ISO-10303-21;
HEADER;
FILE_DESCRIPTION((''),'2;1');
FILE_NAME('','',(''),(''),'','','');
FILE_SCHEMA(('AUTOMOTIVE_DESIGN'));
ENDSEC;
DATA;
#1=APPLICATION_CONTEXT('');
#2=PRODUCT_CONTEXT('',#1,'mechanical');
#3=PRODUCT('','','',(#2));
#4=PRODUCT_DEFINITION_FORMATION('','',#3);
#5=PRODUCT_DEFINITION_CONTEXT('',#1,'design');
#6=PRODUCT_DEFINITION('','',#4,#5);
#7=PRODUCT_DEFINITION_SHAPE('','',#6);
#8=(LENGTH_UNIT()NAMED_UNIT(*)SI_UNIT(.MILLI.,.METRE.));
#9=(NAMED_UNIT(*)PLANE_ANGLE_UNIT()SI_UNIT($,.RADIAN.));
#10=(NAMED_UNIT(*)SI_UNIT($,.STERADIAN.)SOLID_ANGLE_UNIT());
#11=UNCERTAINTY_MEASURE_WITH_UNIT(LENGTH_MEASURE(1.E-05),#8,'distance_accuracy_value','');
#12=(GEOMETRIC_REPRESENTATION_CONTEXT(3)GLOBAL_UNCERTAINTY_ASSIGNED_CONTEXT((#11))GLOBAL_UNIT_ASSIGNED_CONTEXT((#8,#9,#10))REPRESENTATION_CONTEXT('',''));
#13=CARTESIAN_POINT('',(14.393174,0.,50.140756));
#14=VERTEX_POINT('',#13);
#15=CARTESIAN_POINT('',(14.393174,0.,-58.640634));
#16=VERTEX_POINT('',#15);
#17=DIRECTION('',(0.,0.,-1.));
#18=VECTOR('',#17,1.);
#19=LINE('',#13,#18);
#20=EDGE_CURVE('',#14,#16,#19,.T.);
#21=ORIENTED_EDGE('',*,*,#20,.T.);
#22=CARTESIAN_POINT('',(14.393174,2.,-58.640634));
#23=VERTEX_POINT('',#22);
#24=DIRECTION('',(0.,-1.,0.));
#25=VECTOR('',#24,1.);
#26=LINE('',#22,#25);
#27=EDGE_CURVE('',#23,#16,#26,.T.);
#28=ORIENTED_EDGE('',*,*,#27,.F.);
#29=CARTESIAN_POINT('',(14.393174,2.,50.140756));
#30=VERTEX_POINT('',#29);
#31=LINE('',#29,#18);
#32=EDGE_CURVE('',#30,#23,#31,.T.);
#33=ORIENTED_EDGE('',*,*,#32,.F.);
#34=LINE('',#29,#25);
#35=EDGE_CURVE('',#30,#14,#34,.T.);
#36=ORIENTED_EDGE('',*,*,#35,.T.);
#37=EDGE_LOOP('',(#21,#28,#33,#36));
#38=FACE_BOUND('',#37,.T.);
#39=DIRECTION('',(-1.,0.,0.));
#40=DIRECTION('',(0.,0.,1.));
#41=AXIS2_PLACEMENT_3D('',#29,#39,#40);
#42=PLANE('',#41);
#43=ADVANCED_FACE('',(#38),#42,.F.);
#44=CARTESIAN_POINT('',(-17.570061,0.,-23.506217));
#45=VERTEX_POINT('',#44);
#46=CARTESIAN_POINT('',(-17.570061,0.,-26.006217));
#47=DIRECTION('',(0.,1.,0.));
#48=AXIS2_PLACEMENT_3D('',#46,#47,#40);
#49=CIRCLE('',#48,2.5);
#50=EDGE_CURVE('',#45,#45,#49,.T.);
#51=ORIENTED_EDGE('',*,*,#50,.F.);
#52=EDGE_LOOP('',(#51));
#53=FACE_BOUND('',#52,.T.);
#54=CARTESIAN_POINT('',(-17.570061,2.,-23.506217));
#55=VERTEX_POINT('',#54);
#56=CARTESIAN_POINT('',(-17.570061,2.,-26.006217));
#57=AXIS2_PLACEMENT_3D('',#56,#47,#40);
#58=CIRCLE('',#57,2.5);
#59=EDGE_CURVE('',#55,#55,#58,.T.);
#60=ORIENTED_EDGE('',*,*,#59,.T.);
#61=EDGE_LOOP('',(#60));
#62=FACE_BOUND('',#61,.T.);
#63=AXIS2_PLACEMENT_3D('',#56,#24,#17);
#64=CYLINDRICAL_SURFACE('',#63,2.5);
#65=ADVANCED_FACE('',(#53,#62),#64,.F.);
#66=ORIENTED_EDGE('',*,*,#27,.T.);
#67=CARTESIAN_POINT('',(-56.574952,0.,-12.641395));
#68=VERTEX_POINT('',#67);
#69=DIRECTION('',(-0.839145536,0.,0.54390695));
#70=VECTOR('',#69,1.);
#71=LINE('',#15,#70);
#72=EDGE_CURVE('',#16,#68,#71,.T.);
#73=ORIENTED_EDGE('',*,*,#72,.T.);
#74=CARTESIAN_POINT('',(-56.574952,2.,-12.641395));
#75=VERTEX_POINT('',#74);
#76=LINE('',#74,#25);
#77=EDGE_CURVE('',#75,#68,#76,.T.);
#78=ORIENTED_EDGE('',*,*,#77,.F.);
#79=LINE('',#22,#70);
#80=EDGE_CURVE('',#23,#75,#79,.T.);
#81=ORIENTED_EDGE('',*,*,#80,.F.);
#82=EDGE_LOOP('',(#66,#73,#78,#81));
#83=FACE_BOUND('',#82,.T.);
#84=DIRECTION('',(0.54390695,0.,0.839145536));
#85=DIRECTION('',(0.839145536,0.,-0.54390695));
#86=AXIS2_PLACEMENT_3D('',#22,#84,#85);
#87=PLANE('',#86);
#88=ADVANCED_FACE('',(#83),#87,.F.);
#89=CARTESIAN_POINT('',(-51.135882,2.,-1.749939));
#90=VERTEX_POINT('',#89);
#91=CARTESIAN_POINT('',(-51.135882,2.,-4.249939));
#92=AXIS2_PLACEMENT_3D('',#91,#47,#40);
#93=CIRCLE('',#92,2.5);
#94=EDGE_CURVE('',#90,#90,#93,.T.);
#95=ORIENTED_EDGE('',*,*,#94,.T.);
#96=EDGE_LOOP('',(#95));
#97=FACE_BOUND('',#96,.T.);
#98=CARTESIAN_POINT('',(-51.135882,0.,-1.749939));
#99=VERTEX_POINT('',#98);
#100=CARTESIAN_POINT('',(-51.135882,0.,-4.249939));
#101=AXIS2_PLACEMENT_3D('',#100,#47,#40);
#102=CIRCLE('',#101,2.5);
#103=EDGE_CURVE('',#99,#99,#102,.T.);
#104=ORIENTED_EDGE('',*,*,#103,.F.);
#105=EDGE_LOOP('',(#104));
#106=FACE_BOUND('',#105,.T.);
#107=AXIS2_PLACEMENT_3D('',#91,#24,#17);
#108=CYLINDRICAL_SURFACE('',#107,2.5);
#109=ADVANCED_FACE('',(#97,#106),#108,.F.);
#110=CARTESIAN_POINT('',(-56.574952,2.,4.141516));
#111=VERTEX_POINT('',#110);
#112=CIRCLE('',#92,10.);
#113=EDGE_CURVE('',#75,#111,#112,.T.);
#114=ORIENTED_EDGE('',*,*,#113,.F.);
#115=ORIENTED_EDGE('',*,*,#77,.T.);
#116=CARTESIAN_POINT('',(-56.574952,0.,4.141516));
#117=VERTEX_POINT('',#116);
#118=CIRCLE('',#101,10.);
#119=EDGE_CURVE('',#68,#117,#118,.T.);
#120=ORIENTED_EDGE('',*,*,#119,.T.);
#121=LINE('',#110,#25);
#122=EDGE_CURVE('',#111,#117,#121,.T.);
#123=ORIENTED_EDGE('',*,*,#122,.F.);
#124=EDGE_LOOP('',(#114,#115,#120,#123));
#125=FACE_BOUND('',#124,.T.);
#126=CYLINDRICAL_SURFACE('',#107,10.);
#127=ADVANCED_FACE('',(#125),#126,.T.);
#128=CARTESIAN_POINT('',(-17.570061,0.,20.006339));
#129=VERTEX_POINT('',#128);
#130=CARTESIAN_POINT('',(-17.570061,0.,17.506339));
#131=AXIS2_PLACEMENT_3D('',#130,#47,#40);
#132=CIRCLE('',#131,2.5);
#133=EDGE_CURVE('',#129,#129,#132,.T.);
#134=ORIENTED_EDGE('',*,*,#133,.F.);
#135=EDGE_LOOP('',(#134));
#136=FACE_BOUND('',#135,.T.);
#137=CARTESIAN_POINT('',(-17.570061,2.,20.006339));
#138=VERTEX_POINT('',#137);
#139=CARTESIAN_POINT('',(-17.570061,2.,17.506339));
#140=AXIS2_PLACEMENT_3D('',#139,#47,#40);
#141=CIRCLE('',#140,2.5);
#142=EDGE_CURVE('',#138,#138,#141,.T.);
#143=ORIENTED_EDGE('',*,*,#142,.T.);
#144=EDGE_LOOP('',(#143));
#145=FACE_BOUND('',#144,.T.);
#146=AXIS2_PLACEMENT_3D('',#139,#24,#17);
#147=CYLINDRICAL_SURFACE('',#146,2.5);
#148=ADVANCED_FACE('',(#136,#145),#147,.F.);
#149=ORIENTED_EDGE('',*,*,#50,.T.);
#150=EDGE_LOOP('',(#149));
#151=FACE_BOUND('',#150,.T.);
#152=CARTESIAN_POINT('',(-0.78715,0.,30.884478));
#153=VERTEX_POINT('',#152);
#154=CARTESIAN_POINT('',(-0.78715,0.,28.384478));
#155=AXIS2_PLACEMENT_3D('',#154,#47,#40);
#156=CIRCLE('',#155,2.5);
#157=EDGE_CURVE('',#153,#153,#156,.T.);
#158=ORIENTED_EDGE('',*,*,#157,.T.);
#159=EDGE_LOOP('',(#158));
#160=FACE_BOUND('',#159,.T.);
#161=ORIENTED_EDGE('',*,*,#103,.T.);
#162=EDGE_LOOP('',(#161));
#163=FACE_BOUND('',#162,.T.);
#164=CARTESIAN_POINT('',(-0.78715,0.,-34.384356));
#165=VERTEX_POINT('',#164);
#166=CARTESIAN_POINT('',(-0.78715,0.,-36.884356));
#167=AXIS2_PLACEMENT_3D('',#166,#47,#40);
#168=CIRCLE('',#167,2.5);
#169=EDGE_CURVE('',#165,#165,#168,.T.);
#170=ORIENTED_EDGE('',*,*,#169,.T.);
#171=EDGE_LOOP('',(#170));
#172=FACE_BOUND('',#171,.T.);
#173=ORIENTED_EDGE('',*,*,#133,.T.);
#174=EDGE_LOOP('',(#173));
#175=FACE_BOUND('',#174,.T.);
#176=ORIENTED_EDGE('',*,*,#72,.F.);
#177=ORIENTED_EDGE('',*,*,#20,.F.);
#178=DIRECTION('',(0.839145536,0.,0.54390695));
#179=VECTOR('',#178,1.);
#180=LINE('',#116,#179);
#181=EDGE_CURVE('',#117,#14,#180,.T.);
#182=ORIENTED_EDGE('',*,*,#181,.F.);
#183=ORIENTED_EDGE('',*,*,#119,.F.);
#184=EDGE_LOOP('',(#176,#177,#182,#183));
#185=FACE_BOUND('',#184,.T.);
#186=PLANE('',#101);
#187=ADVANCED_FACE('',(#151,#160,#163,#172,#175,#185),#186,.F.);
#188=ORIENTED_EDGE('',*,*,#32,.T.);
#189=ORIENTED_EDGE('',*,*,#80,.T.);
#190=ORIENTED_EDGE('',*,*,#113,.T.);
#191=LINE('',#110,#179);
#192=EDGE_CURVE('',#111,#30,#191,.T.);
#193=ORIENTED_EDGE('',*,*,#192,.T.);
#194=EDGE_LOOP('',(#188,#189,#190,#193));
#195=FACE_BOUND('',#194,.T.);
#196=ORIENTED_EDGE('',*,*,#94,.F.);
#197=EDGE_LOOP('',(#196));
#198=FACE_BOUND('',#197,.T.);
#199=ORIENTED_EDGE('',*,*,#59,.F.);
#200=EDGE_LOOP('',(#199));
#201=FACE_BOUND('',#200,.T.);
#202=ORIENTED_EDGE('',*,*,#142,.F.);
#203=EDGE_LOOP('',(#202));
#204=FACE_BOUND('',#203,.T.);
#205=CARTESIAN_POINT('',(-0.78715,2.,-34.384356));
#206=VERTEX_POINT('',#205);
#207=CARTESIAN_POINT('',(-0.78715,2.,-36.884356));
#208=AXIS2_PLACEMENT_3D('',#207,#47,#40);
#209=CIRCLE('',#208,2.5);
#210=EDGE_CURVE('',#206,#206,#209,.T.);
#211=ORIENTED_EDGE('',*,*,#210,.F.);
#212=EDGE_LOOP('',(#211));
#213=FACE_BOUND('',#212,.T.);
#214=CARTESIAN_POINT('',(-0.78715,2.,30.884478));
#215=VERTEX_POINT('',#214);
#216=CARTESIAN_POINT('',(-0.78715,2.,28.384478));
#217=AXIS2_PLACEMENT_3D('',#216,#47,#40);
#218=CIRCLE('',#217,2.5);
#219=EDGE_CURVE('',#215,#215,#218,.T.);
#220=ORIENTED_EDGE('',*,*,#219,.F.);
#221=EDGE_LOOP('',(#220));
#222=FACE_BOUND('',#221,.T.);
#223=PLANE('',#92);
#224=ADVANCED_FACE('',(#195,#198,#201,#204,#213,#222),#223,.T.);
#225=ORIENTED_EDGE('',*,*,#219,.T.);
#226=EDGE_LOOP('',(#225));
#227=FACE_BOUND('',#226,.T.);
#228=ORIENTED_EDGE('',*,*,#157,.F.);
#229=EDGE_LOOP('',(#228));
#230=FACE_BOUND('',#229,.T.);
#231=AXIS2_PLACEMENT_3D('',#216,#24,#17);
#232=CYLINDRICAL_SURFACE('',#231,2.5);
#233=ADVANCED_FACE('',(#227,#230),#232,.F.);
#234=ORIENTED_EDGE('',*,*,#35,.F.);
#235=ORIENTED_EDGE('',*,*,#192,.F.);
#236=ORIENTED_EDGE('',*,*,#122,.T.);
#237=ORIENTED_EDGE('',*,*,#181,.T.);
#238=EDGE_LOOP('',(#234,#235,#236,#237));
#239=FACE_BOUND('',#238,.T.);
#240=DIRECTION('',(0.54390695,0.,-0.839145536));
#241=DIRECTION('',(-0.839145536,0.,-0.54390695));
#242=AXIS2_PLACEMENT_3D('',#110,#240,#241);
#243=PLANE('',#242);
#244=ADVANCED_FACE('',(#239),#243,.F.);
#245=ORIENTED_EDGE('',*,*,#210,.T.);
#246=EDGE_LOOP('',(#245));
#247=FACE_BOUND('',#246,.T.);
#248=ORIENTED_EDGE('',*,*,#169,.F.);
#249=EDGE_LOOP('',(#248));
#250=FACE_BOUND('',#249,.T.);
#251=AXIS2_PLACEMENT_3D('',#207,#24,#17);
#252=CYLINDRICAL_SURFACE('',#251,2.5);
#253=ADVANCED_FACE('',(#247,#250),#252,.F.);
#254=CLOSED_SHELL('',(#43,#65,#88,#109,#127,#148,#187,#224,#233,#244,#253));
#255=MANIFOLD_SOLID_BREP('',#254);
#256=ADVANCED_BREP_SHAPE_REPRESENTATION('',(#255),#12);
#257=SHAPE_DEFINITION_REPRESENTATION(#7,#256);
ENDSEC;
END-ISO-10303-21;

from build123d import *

# Parameters (mm, degrees)
SKETCH2_R           = 2.5
BOSS_EXTRUDE2_DEPTH = 2


with BuildPart() as part:
    # Sketch2 → Boss-Extrude2 (new body)
    with BuildSketch(Plane(origin=(0, 0, 0), x_dir=(1, 0, 0), z_dir=(0, 1, 0))):
        with BuildLine():
            Line((14.393173744, 58.640634372), (-56.574951574, 12.641394771))
            ThreePointArc((-56.574951574, 12.641394771), (-61.135882078, 4.249939413), (-56.574951574, -4.141515944))
            Line((-56.574951574, -4.141515944), (14.393173744, -50.140755545))
            Line((14.393173744, -50.140755545), (14.393173744, 58.640634372))
        make_face()
        with Locations((-51.135882078, 4.249939413)):
            Circle(SKETCH2_R, mode=Mode.SUBTRACT)
        with Locations((-17.570060648, 26.006217397)):
            Circle(SKETCH2_R, mode=Mode.SUBTRACT)
        with Locations((-0.787149932, 36.884356389)):
            Circle(SKETCH2_R, mode=Mode.SUBTRACT)
        with Locations((-17.570060648, -17.50633857)):
            Circle(SKETCH2_R, mode=Mode.SUBTRACT)
        with Locations((-0.787149932, -28.384477562)):
            Circle(SKETCH2_R, mode=Mode.SUBTRACT)
    extrude(amount=BOSS_EXTRUDE2_DEPTH)


solid = part.part
